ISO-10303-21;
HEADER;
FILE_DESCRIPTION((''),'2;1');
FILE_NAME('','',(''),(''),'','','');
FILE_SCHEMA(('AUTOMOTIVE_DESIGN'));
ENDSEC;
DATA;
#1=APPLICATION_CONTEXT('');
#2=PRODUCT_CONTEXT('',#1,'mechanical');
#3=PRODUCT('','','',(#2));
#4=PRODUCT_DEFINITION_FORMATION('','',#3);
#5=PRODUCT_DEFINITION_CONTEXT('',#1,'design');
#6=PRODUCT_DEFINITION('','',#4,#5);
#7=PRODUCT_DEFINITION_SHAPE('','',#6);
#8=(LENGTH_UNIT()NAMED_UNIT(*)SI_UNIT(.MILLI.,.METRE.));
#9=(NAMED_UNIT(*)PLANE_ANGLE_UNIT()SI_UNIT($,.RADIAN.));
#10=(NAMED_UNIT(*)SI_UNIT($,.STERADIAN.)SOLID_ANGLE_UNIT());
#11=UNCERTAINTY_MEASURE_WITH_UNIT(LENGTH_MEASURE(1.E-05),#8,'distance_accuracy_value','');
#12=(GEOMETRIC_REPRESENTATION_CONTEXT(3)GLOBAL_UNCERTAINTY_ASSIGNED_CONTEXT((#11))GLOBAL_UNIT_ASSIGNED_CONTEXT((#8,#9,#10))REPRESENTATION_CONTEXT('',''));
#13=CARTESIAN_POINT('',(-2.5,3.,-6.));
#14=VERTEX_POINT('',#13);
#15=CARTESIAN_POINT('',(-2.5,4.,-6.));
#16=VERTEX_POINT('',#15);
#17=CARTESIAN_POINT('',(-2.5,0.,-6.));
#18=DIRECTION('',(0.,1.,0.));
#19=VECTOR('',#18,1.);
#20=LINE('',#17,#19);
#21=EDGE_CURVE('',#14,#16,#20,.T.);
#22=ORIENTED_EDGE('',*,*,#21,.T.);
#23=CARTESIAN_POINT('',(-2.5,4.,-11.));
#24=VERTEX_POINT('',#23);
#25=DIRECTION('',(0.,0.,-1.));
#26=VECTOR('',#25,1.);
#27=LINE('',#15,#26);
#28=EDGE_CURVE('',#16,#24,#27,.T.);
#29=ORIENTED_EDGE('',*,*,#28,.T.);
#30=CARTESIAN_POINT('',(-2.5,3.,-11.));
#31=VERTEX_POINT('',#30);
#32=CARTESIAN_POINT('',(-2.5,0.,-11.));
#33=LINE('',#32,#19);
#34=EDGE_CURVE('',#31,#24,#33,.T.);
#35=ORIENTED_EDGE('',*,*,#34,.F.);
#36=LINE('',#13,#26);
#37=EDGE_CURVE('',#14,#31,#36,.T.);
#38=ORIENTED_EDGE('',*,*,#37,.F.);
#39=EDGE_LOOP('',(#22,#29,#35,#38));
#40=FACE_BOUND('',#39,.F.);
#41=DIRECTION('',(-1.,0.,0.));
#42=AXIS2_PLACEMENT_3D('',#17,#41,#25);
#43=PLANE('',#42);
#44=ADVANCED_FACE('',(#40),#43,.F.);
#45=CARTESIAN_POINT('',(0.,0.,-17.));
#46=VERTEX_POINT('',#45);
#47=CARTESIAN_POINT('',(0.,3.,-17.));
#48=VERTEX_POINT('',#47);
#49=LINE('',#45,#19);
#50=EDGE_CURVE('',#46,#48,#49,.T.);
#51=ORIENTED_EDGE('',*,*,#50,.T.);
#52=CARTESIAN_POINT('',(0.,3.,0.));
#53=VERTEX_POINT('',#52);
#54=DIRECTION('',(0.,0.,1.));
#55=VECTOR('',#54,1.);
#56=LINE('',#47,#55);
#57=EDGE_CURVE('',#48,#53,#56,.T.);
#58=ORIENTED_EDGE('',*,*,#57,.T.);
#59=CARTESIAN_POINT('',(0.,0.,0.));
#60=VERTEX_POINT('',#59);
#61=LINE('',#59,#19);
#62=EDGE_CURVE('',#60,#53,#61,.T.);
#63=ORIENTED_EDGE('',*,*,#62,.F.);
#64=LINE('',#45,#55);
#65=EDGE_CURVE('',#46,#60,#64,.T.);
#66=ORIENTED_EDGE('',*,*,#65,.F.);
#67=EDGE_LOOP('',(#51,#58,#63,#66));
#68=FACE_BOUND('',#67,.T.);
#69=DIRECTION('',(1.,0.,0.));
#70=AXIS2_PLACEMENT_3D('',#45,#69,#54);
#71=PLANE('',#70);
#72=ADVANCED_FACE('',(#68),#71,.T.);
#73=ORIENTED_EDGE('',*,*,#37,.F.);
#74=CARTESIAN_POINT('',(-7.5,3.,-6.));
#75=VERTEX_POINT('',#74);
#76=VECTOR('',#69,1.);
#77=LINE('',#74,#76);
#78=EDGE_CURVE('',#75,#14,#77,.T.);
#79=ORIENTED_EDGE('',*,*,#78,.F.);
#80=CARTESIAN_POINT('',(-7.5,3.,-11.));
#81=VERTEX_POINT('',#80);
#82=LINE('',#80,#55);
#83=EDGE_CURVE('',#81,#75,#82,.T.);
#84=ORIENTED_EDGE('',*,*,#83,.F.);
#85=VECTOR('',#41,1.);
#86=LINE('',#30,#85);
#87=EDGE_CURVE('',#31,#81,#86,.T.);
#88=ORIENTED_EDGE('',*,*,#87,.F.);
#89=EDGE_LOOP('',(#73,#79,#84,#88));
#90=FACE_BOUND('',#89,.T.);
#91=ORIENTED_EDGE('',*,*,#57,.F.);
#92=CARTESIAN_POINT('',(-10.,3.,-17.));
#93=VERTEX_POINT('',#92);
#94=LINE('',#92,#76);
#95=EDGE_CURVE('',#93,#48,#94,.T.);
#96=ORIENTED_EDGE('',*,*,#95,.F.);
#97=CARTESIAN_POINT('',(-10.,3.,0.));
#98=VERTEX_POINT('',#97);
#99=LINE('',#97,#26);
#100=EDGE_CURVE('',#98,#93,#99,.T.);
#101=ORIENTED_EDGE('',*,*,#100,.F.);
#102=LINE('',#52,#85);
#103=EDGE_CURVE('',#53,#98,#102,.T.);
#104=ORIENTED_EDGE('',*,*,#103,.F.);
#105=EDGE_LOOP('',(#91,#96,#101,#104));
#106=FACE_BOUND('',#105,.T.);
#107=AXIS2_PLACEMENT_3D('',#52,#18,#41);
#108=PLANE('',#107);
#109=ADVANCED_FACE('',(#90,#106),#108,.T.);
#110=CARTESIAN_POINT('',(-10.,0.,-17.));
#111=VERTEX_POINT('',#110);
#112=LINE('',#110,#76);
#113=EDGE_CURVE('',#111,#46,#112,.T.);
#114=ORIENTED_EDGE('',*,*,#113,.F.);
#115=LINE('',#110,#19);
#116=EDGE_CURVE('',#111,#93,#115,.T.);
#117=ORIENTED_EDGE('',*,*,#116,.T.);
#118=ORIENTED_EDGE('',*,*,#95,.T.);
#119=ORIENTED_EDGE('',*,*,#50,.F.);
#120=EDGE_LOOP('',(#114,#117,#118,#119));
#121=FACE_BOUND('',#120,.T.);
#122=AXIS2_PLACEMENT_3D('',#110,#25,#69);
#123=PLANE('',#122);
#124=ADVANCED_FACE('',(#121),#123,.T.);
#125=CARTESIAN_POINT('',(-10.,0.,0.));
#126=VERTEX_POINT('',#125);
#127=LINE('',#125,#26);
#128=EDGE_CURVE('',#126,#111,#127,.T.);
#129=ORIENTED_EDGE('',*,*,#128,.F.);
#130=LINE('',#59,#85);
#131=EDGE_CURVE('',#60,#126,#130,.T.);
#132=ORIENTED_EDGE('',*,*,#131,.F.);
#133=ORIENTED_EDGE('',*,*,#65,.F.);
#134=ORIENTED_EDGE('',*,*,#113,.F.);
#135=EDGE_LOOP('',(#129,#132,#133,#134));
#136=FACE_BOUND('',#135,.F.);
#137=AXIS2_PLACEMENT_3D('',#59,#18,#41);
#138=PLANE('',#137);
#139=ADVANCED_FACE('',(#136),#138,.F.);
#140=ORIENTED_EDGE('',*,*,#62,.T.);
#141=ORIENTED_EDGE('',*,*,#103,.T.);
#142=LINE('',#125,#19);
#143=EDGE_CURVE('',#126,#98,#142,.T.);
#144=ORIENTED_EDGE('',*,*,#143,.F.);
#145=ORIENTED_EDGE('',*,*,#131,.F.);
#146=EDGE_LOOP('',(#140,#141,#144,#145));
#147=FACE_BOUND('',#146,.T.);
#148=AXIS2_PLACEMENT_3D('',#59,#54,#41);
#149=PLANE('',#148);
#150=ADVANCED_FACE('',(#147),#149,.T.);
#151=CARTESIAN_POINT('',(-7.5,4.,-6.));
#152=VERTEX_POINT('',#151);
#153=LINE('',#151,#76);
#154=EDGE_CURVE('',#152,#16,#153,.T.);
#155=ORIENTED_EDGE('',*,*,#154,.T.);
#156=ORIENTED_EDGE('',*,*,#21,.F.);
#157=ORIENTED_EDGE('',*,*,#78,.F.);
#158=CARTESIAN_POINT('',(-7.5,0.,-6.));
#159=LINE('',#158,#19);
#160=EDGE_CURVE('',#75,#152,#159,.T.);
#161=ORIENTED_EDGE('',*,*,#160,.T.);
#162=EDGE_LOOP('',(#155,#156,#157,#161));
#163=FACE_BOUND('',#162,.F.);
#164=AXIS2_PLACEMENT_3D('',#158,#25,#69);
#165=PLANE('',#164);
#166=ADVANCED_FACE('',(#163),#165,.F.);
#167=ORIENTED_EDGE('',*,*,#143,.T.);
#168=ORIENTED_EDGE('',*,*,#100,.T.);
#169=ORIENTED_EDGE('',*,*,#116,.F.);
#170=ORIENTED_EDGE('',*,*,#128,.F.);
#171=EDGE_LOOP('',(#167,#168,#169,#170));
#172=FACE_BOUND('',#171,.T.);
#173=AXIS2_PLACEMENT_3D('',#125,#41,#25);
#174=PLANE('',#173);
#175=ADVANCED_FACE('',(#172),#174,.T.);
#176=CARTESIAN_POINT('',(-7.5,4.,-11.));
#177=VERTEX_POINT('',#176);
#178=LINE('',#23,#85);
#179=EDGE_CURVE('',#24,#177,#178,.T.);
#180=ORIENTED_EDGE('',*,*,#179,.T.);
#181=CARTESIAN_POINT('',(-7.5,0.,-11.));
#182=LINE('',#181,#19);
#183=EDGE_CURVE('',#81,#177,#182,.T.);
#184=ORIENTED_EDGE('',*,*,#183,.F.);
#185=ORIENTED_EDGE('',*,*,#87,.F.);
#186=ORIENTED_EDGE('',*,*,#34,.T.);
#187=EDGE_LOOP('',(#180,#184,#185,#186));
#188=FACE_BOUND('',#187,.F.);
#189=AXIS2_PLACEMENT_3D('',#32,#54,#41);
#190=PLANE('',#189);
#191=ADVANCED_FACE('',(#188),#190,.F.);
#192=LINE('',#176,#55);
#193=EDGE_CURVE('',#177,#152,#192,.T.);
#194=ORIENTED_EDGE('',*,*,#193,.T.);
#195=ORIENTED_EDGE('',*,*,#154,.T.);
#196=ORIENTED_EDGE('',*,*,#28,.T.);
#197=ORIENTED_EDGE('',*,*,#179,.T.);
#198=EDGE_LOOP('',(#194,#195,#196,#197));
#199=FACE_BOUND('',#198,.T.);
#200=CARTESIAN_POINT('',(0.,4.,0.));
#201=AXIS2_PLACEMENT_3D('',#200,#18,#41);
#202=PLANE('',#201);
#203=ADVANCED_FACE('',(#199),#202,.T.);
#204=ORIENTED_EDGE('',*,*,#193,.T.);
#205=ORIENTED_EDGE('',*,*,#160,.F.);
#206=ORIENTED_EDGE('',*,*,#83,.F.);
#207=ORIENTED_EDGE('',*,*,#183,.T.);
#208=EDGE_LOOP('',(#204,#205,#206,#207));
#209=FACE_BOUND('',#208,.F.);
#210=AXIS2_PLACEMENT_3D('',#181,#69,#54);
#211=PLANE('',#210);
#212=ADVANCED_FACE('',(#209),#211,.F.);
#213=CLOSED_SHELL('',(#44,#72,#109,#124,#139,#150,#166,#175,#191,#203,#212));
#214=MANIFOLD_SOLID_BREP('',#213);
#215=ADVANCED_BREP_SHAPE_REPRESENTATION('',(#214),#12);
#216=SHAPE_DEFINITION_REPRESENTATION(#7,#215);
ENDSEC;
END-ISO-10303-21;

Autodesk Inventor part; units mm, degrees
ref_plane "YZ Plane" through (0, 0, 0) normal (1, 0, 0) x (0, 1, 0)
ref_plane "XZ Plane" through (0, 0, 0) normal (0, 1, 0) x (-1, 0, 0)
ref_plane "XY Plane" through (0, 0, 0) normal (0, 0, 1) x (1, 0, 0)
sketch "Szkic1" plane through (0, 0, 0) normal (0, 1, 0) x (-1, 0, 0)
  line L0 (0, 0) -> (10, 0)
  line L1 (10, 0) -> (10, -17)
  line L2 (10, -17) -> (0, -17)
  line L3 (0, -17) -> (0, 0)
  line L4 (7.5, -6) -> (2.5, -6)
  line L5 (2.5, -6) -> (2.5, -11)
  line L6 (2.5, -11) -> (7.5, -11)
  line L7 (7.5, -11) -> (7.5, -6)
  dimension "d0" = 10
  dimension "d1" = 17
  dimension "d2" = 5
  dimension "d3" = 5
  dimension "d4" = 2.5
  dimension "d5" = 6
extrude "Wyciągnięcie proste1" add sketch "Szkic1" along normal blind 3
extrude "Wyciągnięcie proste2" add sketch "Szkic1" along normal blind 4 contours L7 L6 L5 L4
properties part number "led"
